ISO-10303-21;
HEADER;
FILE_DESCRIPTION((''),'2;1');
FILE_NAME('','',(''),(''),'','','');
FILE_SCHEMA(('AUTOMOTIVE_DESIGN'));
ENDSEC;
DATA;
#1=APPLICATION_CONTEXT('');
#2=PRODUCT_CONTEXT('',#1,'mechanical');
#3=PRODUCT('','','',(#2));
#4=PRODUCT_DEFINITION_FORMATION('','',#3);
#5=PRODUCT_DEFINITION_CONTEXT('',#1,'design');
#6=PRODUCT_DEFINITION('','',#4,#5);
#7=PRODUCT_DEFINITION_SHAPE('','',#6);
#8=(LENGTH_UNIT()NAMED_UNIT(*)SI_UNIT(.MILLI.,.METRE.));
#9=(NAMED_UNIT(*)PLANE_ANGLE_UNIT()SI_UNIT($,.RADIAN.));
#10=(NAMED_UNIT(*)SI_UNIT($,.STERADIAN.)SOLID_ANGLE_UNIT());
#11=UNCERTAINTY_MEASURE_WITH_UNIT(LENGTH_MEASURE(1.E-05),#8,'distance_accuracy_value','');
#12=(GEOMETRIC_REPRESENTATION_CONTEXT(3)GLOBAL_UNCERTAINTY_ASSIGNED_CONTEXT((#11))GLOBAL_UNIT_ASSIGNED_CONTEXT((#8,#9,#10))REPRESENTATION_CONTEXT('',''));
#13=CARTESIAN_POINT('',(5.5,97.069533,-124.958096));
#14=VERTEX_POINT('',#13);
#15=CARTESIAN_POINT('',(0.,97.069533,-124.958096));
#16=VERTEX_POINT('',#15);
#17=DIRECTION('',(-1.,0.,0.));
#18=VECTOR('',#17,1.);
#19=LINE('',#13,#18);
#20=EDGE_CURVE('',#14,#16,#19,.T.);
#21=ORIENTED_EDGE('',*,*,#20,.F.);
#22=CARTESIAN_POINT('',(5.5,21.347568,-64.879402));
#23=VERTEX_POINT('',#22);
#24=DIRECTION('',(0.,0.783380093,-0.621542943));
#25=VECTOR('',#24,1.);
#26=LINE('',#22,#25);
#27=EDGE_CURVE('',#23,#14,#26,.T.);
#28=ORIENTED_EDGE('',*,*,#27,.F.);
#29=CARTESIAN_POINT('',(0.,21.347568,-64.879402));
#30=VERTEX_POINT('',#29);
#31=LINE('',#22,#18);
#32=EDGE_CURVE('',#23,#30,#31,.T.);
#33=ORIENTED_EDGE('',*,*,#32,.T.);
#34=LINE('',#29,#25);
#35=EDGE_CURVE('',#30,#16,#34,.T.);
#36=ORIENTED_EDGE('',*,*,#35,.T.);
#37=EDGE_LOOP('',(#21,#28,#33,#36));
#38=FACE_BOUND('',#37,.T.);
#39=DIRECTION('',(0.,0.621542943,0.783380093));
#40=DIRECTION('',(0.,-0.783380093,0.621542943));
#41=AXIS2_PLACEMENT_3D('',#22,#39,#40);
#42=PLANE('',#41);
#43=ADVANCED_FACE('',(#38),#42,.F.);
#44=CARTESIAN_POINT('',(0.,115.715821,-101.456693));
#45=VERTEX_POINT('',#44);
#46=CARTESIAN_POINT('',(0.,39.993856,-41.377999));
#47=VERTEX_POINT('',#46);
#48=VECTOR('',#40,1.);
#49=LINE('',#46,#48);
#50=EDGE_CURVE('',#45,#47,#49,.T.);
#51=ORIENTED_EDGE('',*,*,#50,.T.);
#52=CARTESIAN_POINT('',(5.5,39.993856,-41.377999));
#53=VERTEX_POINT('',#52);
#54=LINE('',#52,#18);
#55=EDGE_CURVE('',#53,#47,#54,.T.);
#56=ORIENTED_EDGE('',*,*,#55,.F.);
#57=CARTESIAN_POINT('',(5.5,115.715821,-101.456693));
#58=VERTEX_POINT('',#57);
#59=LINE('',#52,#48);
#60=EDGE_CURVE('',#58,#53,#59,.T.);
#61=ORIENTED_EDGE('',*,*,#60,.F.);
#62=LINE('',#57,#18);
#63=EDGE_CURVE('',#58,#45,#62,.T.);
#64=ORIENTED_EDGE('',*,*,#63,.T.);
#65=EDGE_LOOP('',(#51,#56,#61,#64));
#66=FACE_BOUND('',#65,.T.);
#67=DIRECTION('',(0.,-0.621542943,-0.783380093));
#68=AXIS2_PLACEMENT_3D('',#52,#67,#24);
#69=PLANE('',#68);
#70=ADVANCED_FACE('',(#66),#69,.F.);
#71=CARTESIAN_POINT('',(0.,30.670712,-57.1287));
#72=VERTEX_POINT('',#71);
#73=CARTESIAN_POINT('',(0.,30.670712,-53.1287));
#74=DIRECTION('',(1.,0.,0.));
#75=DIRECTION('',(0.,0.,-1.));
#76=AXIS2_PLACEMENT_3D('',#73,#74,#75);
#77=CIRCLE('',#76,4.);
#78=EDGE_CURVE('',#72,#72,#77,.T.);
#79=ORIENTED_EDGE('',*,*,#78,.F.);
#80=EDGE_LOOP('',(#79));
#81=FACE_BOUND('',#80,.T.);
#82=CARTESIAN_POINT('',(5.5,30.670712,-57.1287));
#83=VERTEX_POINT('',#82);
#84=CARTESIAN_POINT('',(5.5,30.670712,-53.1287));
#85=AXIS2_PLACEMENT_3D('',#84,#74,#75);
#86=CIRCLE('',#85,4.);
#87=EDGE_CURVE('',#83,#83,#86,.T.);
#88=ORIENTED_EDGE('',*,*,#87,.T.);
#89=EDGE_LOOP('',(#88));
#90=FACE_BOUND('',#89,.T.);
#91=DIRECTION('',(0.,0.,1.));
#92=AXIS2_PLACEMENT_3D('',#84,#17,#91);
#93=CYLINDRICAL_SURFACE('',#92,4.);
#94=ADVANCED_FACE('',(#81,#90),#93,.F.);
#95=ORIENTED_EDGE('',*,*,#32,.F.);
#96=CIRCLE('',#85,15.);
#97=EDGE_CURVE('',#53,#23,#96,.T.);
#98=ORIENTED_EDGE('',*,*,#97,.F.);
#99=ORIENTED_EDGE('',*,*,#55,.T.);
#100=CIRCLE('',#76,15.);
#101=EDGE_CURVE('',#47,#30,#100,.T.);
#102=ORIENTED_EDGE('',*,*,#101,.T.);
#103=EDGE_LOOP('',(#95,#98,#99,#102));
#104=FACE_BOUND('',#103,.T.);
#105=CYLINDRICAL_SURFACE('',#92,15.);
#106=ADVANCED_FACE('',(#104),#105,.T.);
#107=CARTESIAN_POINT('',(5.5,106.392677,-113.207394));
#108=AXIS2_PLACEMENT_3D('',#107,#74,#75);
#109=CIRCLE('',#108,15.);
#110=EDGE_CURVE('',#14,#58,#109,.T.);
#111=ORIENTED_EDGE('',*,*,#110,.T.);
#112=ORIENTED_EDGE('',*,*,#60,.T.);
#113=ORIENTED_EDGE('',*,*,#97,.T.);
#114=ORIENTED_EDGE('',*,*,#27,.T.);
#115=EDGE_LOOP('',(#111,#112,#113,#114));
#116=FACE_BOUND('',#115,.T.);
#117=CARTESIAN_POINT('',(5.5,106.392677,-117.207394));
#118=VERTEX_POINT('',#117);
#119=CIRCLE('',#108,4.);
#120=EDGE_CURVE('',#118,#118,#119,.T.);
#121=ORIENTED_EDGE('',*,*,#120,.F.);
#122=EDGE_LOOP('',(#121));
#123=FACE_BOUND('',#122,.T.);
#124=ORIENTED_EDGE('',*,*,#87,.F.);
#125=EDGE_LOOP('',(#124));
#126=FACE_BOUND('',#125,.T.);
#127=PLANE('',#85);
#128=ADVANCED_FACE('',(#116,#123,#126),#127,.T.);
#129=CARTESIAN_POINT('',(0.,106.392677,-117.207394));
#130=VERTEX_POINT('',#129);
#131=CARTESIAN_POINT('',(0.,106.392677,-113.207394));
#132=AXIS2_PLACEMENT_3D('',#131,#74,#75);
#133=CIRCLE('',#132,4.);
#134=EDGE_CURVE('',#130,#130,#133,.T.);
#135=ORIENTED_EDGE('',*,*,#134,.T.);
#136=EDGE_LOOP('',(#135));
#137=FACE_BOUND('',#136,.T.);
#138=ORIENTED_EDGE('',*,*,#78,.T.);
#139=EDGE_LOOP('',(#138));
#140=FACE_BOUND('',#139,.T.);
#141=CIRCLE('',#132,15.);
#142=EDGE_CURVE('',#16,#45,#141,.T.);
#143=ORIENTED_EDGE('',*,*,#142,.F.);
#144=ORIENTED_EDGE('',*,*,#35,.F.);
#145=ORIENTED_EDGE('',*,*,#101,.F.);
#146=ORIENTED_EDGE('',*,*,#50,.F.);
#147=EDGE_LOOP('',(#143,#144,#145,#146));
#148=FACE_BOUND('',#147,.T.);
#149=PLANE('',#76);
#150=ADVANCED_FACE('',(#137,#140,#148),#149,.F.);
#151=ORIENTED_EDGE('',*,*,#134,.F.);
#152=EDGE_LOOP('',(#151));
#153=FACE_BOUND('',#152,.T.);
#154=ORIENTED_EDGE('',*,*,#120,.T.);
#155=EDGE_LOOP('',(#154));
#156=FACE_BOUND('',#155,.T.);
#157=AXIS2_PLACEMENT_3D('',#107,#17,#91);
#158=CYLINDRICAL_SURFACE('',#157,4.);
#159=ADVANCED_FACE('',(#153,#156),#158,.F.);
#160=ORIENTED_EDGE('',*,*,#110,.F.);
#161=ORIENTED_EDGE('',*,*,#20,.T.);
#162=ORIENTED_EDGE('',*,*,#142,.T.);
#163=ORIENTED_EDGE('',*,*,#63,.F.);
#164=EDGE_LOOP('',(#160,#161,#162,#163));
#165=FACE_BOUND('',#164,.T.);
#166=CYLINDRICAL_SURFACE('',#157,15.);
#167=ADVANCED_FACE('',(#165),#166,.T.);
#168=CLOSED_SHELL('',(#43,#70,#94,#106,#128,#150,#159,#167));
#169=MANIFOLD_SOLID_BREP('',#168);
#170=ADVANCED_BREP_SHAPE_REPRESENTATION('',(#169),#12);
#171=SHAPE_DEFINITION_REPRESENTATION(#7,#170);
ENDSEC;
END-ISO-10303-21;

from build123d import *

# Parameters (mm, degrees)
SKETCH_2_R      = 4.000000001
EXTRUDE_2_DEPTH = 5.5


with BuildPart() as part:
    # Эскиз2 → Вытянуть2 (new body)
    with BuildSketch(Plane(origin=(0, 0, 0), x_dir=(0, 0, -1), z_dir=(1, 0, 0))):
        with BuildLine():
            Line((64.879401745, 21.347567696), (124.958095822, 97.069532604))
            ThreePointArc((124.958095822, 97.069532604), (122.530538579, 118.143378143), (101.456693039, 115.715820901))
            Line((101.456693039, 115.715820901), (41.377998963, 39.993855993))
            ThreePointArc((41.377998963, 39.993855993), (43.805556206, 18.920010453), (64.879401745, 21.347567696))
        make_face()
        with Locations((113.20739443, 106.392676752)):
            Circle(SKETCH_2_R, mode=Mode.SUBTRACT)
        with Locations((53.128700354, 30.670711845)):
            Circle(SKETCH_2_R, mode=Mode.SUBTRACT)
    extrude(amount=EXTRUDE_2_DEPTH)


solid = part.part
